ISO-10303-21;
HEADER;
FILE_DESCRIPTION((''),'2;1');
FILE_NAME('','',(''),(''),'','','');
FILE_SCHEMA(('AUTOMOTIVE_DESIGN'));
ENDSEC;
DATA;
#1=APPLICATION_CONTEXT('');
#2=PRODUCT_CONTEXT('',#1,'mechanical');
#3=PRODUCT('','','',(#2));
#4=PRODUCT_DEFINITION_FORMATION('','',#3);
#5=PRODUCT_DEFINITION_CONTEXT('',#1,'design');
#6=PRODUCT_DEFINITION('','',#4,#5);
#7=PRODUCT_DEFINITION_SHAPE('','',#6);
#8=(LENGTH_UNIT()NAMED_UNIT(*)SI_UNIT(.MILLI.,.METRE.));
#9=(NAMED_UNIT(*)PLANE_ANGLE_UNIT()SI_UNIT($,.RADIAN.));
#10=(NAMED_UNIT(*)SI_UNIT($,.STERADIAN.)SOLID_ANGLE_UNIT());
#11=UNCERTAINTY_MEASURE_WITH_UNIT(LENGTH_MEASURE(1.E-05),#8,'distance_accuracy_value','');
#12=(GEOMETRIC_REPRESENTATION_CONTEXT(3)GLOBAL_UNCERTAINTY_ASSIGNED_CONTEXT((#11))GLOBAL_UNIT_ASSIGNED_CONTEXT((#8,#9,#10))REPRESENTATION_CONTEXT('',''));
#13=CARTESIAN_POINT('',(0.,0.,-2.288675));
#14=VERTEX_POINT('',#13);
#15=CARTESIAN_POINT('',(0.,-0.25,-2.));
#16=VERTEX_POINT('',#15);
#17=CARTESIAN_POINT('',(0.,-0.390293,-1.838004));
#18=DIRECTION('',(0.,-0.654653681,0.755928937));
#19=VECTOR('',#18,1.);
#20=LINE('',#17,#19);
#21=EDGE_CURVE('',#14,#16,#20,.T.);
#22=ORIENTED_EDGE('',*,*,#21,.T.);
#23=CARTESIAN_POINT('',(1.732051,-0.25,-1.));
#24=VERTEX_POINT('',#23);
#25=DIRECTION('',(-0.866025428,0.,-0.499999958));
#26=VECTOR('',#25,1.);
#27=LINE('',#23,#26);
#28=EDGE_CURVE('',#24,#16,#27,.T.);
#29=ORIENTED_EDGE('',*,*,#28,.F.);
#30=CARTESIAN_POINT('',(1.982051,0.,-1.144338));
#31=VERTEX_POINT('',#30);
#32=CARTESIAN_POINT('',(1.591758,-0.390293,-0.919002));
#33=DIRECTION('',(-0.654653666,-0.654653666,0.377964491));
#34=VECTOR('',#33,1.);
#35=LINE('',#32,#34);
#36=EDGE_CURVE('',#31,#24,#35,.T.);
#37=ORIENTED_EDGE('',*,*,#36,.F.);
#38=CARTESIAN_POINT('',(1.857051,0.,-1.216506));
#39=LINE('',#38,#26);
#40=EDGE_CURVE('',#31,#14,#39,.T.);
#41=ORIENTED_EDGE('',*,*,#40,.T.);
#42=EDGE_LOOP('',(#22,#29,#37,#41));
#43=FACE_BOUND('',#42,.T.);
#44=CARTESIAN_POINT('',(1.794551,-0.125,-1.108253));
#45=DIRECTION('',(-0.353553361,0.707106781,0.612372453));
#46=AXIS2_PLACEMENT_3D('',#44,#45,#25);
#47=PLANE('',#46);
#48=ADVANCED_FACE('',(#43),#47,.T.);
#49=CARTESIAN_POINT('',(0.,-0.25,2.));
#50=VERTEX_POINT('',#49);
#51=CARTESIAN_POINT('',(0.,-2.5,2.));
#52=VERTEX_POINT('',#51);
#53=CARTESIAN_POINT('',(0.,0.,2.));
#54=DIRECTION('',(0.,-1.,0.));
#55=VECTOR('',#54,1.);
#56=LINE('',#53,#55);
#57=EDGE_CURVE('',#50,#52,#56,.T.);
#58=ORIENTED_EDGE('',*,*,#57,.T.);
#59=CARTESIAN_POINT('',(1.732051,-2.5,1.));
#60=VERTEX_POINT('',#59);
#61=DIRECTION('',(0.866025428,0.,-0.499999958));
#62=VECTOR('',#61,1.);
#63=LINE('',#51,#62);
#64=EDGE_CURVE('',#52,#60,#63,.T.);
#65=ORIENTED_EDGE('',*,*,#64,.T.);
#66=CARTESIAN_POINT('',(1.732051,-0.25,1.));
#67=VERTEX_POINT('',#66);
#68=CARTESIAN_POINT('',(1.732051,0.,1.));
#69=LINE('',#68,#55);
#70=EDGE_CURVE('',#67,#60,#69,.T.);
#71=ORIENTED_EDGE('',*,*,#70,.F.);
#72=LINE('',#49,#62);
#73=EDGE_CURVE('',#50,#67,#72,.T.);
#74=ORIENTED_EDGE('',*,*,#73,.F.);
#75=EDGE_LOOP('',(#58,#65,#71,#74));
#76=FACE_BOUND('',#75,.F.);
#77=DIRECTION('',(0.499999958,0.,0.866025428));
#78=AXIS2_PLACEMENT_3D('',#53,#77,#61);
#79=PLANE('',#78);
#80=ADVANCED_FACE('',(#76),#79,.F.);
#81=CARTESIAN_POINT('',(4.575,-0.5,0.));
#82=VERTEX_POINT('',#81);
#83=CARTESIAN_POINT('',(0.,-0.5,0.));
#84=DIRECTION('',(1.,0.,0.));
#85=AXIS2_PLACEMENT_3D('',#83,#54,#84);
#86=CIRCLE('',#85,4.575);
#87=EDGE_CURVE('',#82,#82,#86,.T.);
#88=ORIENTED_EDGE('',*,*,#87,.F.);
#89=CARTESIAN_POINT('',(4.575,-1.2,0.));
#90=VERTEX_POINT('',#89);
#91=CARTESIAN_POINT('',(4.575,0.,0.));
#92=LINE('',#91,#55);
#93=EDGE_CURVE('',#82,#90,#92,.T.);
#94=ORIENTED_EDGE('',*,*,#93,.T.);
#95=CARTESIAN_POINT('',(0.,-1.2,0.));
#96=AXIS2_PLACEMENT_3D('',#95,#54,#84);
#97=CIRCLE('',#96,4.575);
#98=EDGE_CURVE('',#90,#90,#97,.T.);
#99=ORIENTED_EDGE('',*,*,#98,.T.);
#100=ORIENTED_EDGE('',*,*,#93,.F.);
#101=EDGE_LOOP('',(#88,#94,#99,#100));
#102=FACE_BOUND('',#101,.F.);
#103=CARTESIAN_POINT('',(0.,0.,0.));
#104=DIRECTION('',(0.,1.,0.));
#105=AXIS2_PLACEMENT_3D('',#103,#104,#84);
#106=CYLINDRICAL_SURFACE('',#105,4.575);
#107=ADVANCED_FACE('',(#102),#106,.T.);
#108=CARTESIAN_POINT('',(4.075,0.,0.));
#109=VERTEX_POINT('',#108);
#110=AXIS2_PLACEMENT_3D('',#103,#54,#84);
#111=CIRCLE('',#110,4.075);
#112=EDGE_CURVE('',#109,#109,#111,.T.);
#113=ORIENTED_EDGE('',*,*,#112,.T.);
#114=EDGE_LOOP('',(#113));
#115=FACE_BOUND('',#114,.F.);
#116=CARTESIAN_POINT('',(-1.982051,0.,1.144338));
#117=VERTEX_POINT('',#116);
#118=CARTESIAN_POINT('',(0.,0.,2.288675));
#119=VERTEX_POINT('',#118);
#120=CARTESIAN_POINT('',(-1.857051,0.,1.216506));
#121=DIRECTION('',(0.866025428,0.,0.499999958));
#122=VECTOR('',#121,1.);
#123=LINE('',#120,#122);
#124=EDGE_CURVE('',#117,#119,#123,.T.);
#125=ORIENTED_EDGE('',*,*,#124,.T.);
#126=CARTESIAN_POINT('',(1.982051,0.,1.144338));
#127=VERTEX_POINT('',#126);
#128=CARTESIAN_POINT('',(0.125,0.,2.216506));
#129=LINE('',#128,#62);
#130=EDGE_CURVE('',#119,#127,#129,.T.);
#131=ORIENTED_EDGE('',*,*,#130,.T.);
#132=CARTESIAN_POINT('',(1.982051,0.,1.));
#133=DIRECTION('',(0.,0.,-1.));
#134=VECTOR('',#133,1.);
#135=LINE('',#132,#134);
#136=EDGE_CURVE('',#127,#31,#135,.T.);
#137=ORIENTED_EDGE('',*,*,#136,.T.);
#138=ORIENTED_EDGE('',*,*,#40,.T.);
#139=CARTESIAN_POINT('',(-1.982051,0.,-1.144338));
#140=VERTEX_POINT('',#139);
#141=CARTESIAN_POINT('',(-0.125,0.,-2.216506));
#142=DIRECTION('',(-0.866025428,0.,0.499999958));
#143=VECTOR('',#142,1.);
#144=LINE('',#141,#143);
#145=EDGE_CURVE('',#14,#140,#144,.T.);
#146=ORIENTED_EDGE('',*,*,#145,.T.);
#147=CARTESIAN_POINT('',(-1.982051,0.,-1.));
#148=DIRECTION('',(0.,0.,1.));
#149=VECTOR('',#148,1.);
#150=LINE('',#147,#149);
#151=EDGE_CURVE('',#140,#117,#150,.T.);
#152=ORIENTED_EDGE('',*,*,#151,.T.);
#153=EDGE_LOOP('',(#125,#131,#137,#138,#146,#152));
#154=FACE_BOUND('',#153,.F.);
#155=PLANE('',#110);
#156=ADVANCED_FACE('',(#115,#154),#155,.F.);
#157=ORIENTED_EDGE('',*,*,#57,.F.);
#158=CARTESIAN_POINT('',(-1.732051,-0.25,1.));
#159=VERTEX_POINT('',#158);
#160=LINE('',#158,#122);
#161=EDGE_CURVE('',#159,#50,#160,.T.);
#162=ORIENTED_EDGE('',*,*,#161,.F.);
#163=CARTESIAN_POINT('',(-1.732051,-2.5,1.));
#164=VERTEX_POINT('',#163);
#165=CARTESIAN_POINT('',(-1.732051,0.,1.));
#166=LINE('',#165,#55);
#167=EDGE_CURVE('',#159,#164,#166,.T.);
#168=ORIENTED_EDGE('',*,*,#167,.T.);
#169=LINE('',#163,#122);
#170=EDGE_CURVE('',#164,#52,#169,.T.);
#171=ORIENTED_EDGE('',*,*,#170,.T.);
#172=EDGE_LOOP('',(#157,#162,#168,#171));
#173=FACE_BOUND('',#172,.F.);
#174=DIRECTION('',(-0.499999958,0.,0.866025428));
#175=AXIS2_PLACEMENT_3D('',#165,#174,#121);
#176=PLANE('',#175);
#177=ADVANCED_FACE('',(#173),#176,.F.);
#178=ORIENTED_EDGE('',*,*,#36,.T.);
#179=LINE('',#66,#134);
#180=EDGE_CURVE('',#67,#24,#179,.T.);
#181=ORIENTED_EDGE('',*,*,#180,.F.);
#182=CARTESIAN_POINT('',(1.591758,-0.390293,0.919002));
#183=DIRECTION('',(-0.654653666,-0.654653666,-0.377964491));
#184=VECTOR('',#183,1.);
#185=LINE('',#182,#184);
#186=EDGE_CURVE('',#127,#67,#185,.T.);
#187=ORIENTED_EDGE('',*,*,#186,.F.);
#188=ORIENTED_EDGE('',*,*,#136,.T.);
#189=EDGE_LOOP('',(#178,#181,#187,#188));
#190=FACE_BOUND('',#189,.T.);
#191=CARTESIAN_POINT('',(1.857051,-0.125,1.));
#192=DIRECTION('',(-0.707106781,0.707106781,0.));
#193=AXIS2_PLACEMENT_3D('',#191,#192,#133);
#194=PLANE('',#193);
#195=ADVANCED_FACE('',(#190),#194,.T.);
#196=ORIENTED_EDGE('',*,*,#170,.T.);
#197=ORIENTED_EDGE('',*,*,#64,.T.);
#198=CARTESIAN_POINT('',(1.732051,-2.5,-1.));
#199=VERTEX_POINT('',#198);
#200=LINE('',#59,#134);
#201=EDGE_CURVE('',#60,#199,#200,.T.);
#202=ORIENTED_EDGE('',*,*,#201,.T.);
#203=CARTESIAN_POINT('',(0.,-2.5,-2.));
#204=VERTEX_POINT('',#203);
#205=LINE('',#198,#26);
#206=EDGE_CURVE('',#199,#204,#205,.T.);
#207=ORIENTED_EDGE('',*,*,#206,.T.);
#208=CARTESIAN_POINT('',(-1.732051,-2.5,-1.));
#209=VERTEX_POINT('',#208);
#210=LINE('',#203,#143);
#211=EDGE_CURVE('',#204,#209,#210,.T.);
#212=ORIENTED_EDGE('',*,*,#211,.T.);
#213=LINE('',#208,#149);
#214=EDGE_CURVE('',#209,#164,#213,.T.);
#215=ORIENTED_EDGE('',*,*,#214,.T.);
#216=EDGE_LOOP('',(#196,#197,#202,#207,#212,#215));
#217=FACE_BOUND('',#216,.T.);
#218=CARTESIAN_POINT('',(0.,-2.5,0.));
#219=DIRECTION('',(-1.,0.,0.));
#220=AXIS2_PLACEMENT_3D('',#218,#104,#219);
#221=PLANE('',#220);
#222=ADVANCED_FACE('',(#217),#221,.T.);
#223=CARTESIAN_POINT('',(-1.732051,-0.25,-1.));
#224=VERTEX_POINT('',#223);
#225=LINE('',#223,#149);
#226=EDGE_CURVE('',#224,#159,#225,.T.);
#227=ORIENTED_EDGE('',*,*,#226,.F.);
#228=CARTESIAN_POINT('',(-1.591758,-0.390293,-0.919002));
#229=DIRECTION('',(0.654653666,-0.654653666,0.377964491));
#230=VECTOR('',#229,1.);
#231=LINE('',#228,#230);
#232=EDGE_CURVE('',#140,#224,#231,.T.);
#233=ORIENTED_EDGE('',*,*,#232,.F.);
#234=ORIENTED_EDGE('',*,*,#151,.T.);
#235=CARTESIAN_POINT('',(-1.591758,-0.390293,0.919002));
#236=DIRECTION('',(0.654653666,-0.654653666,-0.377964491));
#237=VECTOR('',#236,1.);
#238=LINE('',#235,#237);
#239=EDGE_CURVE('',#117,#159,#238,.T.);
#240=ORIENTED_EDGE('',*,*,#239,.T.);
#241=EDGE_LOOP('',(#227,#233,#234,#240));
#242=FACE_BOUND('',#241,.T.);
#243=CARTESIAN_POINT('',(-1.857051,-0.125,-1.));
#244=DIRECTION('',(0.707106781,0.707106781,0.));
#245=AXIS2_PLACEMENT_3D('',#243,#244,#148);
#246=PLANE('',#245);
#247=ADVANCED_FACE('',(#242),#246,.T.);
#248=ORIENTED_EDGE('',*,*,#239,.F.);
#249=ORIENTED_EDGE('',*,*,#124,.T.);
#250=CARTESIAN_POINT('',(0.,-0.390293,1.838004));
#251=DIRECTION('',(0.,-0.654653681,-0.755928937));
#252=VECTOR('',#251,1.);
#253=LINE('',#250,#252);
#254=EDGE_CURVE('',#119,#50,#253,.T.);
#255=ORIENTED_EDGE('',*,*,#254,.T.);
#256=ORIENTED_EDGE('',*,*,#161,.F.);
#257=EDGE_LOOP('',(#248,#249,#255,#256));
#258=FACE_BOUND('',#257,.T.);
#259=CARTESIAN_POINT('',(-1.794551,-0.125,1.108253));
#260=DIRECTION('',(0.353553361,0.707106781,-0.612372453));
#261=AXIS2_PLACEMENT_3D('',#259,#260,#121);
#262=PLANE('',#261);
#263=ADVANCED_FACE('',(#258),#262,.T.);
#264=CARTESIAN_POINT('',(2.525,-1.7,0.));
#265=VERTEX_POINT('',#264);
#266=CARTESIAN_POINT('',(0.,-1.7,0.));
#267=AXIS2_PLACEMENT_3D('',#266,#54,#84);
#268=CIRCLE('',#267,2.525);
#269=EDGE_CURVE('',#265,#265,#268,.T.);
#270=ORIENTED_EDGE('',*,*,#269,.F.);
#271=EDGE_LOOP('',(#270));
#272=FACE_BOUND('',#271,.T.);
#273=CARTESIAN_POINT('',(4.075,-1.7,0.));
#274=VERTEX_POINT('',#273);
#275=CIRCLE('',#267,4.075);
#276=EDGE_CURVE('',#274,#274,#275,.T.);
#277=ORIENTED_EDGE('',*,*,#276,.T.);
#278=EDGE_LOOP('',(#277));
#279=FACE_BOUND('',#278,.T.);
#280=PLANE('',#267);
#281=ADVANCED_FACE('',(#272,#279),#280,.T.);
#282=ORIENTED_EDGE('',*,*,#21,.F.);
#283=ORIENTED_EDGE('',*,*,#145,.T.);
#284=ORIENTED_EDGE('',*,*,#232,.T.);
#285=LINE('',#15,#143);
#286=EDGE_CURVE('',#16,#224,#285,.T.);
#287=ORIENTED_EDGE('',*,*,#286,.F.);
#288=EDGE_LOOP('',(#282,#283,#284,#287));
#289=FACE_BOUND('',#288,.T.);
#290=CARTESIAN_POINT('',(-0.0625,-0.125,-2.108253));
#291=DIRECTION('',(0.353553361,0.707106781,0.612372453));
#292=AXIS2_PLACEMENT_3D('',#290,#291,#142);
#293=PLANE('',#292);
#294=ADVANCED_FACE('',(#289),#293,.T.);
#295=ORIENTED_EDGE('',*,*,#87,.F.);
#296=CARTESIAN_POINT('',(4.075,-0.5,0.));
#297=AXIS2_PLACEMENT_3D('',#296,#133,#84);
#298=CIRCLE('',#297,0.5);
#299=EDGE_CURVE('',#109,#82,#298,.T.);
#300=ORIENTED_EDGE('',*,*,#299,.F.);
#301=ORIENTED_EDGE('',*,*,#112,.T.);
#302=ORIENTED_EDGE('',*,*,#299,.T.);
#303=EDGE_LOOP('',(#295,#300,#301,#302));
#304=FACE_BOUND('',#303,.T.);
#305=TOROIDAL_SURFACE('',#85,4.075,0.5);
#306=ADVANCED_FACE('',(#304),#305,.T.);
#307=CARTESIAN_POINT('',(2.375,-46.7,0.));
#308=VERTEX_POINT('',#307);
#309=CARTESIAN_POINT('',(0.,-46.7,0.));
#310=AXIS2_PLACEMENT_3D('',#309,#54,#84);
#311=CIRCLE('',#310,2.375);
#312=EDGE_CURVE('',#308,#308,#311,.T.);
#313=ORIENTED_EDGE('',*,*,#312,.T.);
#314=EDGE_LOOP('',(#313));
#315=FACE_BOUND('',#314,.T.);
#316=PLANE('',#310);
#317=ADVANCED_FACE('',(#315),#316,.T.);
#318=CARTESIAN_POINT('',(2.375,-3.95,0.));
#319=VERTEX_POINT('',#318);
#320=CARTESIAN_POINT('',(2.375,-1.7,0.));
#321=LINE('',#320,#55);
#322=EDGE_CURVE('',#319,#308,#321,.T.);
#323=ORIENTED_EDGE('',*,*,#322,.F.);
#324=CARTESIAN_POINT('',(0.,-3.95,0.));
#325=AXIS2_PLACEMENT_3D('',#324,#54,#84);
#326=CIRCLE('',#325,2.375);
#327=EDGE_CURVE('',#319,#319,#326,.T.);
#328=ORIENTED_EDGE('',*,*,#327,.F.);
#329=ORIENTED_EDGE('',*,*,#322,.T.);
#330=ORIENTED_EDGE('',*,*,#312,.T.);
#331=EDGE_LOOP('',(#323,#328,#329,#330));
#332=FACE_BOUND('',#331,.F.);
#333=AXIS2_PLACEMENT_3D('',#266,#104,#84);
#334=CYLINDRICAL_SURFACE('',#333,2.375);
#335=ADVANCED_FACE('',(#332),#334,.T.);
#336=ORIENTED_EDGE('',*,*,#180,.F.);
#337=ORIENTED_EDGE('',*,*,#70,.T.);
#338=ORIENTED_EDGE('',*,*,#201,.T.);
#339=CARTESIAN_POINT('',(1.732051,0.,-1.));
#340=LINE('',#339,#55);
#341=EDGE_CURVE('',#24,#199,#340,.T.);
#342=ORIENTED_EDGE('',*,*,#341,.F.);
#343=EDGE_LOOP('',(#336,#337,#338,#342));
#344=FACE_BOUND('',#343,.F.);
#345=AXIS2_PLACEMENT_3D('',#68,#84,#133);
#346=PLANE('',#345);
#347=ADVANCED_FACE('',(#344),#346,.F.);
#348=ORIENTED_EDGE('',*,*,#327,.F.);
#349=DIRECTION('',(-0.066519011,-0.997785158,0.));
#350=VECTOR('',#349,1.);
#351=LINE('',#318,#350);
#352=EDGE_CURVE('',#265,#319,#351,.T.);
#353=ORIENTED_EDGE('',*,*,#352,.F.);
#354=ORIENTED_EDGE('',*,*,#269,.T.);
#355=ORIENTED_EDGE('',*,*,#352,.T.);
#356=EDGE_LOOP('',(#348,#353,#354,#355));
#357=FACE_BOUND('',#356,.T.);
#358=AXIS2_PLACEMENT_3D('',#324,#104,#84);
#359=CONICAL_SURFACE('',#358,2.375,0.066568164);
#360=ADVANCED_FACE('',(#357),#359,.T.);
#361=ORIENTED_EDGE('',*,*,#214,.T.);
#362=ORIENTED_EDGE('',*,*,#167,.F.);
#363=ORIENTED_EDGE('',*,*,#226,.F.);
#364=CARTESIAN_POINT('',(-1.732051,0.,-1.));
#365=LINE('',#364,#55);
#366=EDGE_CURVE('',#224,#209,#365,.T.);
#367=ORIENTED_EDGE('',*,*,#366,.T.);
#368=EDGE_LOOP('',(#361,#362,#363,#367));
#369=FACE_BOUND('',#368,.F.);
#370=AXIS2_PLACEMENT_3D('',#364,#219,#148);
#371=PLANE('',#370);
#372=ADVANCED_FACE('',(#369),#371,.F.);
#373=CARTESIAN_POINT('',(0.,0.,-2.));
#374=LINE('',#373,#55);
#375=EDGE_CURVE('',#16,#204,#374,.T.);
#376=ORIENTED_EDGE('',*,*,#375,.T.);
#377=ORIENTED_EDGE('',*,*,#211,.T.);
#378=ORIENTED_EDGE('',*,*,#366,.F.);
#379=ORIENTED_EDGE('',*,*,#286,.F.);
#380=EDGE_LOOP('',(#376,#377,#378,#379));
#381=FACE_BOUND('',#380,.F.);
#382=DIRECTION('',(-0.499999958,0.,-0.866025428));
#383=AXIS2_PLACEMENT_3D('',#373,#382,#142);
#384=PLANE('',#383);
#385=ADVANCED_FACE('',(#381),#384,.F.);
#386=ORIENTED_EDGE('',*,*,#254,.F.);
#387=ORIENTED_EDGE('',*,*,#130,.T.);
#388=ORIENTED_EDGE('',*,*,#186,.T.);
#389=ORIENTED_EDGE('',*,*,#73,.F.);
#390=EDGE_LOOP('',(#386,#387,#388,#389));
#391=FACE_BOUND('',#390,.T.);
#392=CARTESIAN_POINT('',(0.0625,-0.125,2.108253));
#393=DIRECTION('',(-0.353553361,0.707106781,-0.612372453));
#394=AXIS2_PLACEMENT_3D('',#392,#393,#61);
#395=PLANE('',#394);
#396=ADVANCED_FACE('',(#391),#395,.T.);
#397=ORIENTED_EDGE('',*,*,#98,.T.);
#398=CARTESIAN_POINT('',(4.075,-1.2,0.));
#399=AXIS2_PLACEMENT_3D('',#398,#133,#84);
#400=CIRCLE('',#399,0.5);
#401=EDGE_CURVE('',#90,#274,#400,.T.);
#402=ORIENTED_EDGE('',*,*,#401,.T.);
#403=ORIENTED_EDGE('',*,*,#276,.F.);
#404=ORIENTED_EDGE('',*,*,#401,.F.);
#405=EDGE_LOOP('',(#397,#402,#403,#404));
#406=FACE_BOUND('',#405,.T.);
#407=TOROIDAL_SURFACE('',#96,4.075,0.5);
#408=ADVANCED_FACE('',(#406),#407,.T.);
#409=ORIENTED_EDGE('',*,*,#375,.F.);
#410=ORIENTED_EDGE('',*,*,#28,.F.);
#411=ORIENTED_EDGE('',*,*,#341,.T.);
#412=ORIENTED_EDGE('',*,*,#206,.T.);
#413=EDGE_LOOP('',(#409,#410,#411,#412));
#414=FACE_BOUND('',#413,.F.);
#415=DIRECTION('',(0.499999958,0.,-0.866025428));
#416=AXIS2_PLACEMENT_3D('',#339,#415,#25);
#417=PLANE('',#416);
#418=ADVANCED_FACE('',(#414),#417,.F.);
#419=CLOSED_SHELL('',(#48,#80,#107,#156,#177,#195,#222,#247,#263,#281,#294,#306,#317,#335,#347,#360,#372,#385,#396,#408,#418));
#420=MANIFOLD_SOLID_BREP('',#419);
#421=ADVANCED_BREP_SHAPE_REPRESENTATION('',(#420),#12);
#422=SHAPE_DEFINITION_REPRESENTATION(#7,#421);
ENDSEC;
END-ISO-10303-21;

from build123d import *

# Parameters (mm, degrees)
SKETCH_R        = 4.575
PAD_DEPTH       = 1.7
SKETCH001_R     = 2.375
PAD001_DEPTH    = 45
CHAMFER_SIZE2   = 2.25
CHAMFER_SIZE    = 0.15
POCKET_DEPTH    = 2.5
CHAMFER001_SIZE = 0.25
FILLET_R        = 0.5


with BuildPart() as part:
    # Sketch → Pad (new body)
    with BuildSketch(Plane.XZ):
        Circle(SKETCH_R)
    extrude(amount=PAD_DEPTH)

    # Sketch001 (on Face3 of Pad) → Pad001 (join)
    with BuildSketch(Plane.XZ.offset(1.7)):
        Circle(SKETCH001_R)
    extrude(amount=PAD001_DEPTH)

    # Chamfer
    chamfer_edges = [part.edges().sort_by_distance(p)[0] for p in [
        (-2.375, -1.7, 0),
    ]]
    chamfer_side = part.faces().sort_by_distance((-4.445599, -1.7, 0))[0]
    chamfer(chamfer_edges, length=CHAMFER_SIZE, length2=CHAMFER_SIZE2, reference=chamfer_side)

    # Sketch002 (on Face5 of Chamfer) → Pocket (cut)
    with BuildSketch(Plane(origin=(0, 0, 0), x_dir=(-1, 0, 0), z_dir=(0, 1, 0))):
        Polygon((1.732051, 1), (0, 2), (-1.732051, 1), (-1.732051, -1), (0, -2), (1.732051, -1), align=None)
    extrude(amount=-POCKET_DEPTH, mode=Mode.SUBTRACT)

    # Chamfer001
    chamfer001_edges = [part.edges().sort_by_distance(p)[0] for p in [
        (-1.732051, 0, 0),
        (-0.866025, 0, 1.5),
        (0.866025, 0, 1.5),
        (1.732051, 0, 0),
        (0.866025, 0, -1.5),
        (-0.866025, 0, -1.5),
    ]]
    chamfer(chamfer001_edges, length=CHAMFER001_SIZE)

    # Fillet
    fillet_edges = [part.edges().sort_by_distance(p)[0] for p in [
        (4.575, -0.85, 0),
        (-4.575, 0, 0),
        (-4.575, -1.7, 0),
    ]]
    fillet(fillet_edges, radius=FILLET_R)


solid = part.part
